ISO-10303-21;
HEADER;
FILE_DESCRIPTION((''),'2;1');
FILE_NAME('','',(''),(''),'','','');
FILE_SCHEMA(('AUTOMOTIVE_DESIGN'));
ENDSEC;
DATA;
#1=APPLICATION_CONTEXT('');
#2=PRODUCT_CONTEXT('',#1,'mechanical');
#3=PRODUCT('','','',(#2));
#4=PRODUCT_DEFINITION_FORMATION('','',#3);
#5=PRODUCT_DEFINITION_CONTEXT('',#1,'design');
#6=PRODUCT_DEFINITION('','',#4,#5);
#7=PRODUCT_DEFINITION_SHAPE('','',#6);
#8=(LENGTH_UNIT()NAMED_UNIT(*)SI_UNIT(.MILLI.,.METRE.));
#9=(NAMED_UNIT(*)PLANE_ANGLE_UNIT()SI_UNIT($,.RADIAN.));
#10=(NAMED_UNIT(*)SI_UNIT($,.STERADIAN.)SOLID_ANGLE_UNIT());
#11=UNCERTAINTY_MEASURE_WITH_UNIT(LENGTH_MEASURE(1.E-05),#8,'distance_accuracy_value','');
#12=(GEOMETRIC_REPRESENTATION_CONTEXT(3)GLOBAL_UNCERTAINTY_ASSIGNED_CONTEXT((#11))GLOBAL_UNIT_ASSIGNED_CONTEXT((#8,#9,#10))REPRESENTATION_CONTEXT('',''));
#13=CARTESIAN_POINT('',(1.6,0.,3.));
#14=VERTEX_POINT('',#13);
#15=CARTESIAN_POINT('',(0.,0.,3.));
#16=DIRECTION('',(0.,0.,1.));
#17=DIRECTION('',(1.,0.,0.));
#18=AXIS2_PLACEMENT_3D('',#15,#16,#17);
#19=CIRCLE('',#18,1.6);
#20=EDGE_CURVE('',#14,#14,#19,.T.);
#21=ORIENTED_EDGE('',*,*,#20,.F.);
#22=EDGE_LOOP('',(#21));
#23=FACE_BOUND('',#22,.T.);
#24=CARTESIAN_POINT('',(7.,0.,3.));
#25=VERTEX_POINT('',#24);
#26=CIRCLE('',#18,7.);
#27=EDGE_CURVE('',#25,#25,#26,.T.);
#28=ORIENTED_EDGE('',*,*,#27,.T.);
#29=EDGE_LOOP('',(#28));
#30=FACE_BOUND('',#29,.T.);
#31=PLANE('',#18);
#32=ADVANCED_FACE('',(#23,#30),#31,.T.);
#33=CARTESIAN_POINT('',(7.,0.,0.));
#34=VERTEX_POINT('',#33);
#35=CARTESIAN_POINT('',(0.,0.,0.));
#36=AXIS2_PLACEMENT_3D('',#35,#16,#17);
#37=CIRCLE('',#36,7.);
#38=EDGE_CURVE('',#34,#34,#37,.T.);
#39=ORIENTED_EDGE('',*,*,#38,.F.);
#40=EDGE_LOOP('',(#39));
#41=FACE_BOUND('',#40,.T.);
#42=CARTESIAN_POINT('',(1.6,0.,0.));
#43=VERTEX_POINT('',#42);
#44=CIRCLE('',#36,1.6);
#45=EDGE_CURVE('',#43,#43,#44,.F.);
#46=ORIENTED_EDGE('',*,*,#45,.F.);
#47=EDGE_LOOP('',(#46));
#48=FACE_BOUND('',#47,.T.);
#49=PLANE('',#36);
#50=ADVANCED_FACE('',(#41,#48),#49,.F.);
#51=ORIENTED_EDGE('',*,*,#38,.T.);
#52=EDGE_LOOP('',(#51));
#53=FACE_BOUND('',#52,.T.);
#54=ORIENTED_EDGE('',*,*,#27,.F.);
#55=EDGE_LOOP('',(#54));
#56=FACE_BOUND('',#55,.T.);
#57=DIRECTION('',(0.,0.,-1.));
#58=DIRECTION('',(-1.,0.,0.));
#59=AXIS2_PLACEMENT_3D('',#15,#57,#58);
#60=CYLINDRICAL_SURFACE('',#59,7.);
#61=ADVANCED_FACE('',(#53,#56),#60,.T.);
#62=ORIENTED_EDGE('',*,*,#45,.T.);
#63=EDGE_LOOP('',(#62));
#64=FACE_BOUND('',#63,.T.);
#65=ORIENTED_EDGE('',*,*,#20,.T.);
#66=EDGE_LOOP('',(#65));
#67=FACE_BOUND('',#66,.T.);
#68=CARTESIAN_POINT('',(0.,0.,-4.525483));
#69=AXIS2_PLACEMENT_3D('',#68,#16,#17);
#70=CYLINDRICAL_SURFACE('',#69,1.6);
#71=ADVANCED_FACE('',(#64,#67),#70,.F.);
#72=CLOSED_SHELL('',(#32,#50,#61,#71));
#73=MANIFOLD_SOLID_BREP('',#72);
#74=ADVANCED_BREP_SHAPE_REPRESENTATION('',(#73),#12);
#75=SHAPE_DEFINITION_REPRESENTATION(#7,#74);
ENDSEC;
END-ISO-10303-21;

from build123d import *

# Parameters (mm, degrees)
SKETCH1_R           = 7
BOSS_EXTRUDE1_DEPTH = 3
SKETCH2_R           = 1.6
CUT_EXTRUDE1_DEPTH  = 3


with BuildPart() as part:
    # Sketch1 → Boss-Extrude1 (new body)
    with BuildSketch(Plane.XY):
        Circle(SKETCH1_R)
    extrude(amount=BOSS_EXTRUDE1_DEPTH)

    # Sketch2 → Cut-Extrude1 (cut)
    with BuildSketch(Plane.XY.offset(3)):
        Circle(SKETCH2_R)
    extrude(amount=-CUT_EXTRUDE1_DEPTH, mode=Mode.SUBTRACT)


solid = part.part
